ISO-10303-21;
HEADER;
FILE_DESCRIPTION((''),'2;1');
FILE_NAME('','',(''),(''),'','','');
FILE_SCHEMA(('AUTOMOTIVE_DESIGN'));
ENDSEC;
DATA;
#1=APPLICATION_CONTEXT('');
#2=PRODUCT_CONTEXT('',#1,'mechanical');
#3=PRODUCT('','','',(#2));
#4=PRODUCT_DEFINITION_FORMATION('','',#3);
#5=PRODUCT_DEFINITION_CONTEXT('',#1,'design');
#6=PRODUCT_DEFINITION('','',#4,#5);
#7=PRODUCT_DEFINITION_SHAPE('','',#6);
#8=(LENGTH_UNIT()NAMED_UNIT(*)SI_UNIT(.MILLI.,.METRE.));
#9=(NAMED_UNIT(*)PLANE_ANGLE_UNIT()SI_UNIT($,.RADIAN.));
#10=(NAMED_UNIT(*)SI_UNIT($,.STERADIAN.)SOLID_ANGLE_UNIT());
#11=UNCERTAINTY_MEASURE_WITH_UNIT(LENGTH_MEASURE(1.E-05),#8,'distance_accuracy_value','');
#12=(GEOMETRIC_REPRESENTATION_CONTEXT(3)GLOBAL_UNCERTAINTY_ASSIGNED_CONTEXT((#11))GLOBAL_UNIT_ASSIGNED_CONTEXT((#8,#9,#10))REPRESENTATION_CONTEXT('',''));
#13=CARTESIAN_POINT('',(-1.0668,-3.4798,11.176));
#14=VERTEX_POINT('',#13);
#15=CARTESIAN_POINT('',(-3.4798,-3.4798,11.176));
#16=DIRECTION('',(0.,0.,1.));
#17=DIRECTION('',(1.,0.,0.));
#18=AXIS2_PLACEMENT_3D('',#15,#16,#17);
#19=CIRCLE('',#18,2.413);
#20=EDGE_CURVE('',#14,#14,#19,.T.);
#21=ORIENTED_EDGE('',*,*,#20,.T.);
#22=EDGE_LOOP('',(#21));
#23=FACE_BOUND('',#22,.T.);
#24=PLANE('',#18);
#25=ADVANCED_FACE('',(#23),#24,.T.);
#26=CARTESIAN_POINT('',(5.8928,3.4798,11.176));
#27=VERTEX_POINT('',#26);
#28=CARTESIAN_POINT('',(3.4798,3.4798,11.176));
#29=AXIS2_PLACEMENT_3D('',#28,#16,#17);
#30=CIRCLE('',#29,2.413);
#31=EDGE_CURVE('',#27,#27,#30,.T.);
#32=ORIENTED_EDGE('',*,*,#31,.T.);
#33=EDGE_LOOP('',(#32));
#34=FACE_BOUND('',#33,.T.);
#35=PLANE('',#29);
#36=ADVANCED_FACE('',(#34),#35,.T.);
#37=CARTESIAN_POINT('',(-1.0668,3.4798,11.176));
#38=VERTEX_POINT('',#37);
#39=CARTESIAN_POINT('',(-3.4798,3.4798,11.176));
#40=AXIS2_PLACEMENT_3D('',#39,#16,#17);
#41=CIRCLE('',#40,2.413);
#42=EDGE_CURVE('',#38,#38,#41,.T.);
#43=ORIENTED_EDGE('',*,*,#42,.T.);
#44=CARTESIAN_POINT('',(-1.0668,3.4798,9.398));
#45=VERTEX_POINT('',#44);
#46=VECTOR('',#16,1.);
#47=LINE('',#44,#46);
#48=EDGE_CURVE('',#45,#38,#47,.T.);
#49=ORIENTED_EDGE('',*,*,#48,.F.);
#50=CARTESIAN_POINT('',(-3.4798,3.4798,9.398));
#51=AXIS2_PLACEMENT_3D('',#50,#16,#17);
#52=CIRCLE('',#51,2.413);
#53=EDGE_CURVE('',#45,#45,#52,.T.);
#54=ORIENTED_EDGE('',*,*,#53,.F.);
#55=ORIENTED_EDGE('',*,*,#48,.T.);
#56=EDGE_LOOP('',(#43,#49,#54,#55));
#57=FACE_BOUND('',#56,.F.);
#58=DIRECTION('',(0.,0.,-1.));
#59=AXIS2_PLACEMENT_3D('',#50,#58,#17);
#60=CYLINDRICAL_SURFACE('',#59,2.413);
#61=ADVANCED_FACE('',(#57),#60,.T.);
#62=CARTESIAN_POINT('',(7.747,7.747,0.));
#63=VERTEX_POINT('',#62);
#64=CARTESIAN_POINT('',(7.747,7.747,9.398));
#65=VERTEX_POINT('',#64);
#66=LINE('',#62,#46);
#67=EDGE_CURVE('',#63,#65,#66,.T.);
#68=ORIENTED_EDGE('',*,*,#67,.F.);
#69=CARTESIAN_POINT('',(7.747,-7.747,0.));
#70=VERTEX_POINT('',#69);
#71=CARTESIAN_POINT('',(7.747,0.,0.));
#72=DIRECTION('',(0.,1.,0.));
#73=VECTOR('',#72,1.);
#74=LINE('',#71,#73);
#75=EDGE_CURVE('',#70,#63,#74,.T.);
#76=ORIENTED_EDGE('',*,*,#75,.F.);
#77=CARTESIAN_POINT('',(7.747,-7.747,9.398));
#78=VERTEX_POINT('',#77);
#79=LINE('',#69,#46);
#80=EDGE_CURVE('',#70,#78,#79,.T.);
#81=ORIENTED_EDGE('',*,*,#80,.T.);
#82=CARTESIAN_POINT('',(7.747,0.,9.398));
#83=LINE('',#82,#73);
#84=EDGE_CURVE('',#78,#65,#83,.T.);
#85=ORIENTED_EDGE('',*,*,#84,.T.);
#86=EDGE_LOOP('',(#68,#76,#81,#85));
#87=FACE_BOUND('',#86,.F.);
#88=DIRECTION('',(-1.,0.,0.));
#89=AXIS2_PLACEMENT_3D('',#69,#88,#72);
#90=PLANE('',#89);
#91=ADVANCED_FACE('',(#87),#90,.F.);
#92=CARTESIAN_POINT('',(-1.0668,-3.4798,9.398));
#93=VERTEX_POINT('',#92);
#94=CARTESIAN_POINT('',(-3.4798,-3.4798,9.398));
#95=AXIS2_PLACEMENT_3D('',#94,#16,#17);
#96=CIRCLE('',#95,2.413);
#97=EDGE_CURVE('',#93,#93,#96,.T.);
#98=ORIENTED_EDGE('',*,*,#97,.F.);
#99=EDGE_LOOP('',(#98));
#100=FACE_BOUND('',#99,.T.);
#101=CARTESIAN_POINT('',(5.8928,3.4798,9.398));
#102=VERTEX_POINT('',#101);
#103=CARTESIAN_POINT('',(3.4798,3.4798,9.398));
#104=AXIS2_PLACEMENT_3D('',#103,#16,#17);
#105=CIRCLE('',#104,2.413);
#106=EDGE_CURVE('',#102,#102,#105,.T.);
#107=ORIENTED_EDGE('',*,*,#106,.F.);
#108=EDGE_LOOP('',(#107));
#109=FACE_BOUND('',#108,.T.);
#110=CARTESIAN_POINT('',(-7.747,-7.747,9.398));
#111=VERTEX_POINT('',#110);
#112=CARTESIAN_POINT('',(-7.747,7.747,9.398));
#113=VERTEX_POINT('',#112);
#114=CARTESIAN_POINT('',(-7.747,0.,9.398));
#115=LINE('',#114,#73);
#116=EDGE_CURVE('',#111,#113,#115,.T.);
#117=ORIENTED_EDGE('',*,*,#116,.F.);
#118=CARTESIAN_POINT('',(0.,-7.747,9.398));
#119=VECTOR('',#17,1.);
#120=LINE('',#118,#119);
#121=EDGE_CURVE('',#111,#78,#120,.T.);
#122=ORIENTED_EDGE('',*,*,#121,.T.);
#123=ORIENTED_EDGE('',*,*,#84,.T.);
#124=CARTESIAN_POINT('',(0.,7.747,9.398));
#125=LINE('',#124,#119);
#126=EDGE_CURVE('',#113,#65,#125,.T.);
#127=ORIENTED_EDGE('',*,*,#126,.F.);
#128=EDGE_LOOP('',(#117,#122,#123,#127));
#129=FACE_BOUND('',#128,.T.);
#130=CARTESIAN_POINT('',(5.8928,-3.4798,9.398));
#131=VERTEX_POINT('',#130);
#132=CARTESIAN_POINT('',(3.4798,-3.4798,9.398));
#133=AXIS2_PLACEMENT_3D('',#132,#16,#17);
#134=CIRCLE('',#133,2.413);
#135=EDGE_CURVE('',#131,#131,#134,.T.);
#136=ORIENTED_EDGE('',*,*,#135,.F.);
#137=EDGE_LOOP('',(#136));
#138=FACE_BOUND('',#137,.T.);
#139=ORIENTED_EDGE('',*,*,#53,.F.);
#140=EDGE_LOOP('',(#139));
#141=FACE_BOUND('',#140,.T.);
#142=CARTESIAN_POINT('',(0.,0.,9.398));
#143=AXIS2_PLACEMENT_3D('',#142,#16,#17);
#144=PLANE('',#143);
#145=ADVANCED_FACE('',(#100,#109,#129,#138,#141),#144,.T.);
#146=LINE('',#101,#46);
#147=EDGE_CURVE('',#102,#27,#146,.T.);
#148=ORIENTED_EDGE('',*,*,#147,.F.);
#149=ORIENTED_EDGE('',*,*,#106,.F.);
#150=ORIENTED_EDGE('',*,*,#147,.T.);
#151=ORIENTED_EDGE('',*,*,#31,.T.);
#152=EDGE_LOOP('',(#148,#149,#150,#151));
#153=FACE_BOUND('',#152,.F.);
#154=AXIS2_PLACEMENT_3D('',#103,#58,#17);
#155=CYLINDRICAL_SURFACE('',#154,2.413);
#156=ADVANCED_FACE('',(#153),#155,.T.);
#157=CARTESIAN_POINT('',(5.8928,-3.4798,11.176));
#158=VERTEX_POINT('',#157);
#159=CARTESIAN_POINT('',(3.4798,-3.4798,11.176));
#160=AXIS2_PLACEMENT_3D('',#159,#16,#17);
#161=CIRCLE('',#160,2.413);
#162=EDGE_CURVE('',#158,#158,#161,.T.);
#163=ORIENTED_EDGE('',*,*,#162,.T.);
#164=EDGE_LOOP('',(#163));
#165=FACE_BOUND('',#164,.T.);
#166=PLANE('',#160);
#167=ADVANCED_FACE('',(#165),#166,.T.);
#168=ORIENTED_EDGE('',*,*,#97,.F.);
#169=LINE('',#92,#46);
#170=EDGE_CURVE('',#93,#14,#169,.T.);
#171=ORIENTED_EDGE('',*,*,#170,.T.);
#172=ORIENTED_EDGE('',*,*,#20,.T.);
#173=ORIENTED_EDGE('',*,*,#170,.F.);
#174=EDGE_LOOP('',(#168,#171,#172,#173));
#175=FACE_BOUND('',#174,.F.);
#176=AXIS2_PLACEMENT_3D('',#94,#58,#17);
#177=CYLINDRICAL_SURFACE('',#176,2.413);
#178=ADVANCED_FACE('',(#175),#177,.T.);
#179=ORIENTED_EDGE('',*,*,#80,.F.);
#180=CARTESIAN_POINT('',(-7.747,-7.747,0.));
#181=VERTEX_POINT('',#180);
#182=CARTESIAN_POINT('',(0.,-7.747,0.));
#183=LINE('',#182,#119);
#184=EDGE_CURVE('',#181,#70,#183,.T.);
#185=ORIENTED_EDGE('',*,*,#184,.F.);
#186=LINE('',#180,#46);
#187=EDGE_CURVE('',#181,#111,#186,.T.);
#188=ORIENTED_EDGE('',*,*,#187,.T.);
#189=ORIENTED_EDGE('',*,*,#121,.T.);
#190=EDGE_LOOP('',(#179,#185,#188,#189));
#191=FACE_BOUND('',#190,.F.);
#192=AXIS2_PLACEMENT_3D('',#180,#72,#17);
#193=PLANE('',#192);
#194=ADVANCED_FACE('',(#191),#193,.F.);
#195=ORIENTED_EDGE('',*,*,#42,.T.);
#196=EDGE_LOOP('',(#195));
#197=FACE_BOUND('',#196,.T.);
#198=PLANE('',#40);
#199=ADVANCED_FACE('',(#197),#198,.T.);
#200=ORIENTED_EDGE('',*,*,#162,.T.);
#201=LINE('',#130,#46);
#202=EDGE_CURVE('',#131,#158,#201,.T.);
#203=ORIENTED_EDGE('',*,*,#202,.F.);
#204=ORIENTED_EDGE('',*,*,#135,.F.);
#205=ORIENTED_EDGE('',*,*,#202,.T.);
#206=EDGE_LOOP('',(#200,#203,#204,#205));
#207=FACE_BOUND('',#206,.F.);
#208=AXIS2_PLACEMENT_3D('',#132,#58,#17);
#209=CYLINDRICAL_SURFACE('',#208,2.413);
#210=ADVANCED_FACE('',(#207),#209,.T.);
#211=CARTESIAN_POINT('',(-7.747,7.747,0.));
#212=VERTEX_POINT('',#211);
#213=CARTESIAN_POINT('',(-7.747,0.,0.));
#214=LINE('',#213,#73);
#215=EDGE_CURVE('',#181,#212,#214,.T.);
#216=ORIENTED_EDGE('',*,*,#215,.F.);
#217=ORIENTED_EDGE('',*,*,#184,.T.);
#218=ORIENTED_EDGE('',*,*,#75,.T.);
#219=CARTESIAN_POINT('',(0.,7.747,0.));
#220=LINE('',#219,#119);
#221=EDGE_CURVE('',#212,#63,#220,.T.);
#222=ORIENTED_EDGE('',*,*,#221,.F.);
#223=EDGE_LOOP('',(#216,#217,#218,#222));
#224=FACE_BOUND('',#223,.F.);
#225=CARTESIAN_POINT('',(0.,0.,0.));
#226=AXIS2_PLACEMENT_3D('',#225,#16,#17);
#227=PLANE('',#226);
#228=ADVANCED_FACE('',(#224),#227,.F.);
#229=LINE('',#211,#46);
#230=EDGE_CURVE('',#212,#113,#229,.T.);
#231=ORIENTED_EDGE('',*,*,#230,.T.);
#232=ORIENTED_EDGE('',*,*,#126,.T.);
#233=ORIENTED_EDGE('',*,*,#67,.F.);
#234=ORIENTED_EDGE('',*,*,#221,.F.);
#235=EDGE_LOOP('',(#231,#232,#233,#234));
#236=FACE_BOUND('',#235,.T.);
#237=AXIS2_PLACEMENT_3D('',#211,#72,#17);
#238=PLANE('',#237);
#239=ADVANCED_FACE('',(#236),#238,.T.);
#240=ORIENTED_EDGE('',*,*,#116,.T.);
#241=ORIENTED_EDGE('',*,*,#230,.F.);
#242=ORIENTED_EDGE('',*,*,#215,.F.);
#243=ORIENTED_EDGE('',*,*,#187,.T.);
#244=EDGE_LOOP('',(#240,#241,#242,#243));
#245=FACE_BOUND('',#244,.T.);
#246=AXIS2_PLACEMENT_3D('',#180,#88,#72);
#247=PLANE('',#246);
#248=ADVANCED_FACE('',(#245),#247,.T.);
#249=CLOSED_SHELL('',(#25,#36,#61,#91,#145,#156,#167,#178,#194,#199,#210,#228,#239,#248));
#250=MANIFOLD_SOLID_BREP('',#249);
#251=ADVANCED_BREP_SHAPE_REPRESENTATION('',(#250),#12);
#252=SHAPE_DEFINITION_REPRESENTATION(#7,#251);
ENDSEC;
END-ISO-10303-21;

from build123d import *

# Parameters (mm, degrees)
F0_W     = 15.494
F0_H     = 15.494
F1_DEPTH = 9.398
F2_R     = 2.413
F3_DEPTH = 1.778


with BuildPart() as f1:
    # F0 (on Top) → F1 (new body)
    with BuildSketch(Plane.XY):
        Rectangle(F0_W, F0_H)
    extrude(amount=F1_DEPTH)

    # F2 (on face) → F3 (join)
    with BuildSketch(Plane.XY.offset(9.398)):
        with Locations((-3.4798, 3.4798)):
            Circle(F2_R)
        with Locations((3.4798, 3.4798)):
            Circle(F2_R)
        with Locations((3.4798, -3.4798)):
            Circle(F2_R)
        with Locations((-3.4798, -3.4798)):
            Circle(F2_R)
    extrude(amount=F3_DEPTH)


solid = f1.part
